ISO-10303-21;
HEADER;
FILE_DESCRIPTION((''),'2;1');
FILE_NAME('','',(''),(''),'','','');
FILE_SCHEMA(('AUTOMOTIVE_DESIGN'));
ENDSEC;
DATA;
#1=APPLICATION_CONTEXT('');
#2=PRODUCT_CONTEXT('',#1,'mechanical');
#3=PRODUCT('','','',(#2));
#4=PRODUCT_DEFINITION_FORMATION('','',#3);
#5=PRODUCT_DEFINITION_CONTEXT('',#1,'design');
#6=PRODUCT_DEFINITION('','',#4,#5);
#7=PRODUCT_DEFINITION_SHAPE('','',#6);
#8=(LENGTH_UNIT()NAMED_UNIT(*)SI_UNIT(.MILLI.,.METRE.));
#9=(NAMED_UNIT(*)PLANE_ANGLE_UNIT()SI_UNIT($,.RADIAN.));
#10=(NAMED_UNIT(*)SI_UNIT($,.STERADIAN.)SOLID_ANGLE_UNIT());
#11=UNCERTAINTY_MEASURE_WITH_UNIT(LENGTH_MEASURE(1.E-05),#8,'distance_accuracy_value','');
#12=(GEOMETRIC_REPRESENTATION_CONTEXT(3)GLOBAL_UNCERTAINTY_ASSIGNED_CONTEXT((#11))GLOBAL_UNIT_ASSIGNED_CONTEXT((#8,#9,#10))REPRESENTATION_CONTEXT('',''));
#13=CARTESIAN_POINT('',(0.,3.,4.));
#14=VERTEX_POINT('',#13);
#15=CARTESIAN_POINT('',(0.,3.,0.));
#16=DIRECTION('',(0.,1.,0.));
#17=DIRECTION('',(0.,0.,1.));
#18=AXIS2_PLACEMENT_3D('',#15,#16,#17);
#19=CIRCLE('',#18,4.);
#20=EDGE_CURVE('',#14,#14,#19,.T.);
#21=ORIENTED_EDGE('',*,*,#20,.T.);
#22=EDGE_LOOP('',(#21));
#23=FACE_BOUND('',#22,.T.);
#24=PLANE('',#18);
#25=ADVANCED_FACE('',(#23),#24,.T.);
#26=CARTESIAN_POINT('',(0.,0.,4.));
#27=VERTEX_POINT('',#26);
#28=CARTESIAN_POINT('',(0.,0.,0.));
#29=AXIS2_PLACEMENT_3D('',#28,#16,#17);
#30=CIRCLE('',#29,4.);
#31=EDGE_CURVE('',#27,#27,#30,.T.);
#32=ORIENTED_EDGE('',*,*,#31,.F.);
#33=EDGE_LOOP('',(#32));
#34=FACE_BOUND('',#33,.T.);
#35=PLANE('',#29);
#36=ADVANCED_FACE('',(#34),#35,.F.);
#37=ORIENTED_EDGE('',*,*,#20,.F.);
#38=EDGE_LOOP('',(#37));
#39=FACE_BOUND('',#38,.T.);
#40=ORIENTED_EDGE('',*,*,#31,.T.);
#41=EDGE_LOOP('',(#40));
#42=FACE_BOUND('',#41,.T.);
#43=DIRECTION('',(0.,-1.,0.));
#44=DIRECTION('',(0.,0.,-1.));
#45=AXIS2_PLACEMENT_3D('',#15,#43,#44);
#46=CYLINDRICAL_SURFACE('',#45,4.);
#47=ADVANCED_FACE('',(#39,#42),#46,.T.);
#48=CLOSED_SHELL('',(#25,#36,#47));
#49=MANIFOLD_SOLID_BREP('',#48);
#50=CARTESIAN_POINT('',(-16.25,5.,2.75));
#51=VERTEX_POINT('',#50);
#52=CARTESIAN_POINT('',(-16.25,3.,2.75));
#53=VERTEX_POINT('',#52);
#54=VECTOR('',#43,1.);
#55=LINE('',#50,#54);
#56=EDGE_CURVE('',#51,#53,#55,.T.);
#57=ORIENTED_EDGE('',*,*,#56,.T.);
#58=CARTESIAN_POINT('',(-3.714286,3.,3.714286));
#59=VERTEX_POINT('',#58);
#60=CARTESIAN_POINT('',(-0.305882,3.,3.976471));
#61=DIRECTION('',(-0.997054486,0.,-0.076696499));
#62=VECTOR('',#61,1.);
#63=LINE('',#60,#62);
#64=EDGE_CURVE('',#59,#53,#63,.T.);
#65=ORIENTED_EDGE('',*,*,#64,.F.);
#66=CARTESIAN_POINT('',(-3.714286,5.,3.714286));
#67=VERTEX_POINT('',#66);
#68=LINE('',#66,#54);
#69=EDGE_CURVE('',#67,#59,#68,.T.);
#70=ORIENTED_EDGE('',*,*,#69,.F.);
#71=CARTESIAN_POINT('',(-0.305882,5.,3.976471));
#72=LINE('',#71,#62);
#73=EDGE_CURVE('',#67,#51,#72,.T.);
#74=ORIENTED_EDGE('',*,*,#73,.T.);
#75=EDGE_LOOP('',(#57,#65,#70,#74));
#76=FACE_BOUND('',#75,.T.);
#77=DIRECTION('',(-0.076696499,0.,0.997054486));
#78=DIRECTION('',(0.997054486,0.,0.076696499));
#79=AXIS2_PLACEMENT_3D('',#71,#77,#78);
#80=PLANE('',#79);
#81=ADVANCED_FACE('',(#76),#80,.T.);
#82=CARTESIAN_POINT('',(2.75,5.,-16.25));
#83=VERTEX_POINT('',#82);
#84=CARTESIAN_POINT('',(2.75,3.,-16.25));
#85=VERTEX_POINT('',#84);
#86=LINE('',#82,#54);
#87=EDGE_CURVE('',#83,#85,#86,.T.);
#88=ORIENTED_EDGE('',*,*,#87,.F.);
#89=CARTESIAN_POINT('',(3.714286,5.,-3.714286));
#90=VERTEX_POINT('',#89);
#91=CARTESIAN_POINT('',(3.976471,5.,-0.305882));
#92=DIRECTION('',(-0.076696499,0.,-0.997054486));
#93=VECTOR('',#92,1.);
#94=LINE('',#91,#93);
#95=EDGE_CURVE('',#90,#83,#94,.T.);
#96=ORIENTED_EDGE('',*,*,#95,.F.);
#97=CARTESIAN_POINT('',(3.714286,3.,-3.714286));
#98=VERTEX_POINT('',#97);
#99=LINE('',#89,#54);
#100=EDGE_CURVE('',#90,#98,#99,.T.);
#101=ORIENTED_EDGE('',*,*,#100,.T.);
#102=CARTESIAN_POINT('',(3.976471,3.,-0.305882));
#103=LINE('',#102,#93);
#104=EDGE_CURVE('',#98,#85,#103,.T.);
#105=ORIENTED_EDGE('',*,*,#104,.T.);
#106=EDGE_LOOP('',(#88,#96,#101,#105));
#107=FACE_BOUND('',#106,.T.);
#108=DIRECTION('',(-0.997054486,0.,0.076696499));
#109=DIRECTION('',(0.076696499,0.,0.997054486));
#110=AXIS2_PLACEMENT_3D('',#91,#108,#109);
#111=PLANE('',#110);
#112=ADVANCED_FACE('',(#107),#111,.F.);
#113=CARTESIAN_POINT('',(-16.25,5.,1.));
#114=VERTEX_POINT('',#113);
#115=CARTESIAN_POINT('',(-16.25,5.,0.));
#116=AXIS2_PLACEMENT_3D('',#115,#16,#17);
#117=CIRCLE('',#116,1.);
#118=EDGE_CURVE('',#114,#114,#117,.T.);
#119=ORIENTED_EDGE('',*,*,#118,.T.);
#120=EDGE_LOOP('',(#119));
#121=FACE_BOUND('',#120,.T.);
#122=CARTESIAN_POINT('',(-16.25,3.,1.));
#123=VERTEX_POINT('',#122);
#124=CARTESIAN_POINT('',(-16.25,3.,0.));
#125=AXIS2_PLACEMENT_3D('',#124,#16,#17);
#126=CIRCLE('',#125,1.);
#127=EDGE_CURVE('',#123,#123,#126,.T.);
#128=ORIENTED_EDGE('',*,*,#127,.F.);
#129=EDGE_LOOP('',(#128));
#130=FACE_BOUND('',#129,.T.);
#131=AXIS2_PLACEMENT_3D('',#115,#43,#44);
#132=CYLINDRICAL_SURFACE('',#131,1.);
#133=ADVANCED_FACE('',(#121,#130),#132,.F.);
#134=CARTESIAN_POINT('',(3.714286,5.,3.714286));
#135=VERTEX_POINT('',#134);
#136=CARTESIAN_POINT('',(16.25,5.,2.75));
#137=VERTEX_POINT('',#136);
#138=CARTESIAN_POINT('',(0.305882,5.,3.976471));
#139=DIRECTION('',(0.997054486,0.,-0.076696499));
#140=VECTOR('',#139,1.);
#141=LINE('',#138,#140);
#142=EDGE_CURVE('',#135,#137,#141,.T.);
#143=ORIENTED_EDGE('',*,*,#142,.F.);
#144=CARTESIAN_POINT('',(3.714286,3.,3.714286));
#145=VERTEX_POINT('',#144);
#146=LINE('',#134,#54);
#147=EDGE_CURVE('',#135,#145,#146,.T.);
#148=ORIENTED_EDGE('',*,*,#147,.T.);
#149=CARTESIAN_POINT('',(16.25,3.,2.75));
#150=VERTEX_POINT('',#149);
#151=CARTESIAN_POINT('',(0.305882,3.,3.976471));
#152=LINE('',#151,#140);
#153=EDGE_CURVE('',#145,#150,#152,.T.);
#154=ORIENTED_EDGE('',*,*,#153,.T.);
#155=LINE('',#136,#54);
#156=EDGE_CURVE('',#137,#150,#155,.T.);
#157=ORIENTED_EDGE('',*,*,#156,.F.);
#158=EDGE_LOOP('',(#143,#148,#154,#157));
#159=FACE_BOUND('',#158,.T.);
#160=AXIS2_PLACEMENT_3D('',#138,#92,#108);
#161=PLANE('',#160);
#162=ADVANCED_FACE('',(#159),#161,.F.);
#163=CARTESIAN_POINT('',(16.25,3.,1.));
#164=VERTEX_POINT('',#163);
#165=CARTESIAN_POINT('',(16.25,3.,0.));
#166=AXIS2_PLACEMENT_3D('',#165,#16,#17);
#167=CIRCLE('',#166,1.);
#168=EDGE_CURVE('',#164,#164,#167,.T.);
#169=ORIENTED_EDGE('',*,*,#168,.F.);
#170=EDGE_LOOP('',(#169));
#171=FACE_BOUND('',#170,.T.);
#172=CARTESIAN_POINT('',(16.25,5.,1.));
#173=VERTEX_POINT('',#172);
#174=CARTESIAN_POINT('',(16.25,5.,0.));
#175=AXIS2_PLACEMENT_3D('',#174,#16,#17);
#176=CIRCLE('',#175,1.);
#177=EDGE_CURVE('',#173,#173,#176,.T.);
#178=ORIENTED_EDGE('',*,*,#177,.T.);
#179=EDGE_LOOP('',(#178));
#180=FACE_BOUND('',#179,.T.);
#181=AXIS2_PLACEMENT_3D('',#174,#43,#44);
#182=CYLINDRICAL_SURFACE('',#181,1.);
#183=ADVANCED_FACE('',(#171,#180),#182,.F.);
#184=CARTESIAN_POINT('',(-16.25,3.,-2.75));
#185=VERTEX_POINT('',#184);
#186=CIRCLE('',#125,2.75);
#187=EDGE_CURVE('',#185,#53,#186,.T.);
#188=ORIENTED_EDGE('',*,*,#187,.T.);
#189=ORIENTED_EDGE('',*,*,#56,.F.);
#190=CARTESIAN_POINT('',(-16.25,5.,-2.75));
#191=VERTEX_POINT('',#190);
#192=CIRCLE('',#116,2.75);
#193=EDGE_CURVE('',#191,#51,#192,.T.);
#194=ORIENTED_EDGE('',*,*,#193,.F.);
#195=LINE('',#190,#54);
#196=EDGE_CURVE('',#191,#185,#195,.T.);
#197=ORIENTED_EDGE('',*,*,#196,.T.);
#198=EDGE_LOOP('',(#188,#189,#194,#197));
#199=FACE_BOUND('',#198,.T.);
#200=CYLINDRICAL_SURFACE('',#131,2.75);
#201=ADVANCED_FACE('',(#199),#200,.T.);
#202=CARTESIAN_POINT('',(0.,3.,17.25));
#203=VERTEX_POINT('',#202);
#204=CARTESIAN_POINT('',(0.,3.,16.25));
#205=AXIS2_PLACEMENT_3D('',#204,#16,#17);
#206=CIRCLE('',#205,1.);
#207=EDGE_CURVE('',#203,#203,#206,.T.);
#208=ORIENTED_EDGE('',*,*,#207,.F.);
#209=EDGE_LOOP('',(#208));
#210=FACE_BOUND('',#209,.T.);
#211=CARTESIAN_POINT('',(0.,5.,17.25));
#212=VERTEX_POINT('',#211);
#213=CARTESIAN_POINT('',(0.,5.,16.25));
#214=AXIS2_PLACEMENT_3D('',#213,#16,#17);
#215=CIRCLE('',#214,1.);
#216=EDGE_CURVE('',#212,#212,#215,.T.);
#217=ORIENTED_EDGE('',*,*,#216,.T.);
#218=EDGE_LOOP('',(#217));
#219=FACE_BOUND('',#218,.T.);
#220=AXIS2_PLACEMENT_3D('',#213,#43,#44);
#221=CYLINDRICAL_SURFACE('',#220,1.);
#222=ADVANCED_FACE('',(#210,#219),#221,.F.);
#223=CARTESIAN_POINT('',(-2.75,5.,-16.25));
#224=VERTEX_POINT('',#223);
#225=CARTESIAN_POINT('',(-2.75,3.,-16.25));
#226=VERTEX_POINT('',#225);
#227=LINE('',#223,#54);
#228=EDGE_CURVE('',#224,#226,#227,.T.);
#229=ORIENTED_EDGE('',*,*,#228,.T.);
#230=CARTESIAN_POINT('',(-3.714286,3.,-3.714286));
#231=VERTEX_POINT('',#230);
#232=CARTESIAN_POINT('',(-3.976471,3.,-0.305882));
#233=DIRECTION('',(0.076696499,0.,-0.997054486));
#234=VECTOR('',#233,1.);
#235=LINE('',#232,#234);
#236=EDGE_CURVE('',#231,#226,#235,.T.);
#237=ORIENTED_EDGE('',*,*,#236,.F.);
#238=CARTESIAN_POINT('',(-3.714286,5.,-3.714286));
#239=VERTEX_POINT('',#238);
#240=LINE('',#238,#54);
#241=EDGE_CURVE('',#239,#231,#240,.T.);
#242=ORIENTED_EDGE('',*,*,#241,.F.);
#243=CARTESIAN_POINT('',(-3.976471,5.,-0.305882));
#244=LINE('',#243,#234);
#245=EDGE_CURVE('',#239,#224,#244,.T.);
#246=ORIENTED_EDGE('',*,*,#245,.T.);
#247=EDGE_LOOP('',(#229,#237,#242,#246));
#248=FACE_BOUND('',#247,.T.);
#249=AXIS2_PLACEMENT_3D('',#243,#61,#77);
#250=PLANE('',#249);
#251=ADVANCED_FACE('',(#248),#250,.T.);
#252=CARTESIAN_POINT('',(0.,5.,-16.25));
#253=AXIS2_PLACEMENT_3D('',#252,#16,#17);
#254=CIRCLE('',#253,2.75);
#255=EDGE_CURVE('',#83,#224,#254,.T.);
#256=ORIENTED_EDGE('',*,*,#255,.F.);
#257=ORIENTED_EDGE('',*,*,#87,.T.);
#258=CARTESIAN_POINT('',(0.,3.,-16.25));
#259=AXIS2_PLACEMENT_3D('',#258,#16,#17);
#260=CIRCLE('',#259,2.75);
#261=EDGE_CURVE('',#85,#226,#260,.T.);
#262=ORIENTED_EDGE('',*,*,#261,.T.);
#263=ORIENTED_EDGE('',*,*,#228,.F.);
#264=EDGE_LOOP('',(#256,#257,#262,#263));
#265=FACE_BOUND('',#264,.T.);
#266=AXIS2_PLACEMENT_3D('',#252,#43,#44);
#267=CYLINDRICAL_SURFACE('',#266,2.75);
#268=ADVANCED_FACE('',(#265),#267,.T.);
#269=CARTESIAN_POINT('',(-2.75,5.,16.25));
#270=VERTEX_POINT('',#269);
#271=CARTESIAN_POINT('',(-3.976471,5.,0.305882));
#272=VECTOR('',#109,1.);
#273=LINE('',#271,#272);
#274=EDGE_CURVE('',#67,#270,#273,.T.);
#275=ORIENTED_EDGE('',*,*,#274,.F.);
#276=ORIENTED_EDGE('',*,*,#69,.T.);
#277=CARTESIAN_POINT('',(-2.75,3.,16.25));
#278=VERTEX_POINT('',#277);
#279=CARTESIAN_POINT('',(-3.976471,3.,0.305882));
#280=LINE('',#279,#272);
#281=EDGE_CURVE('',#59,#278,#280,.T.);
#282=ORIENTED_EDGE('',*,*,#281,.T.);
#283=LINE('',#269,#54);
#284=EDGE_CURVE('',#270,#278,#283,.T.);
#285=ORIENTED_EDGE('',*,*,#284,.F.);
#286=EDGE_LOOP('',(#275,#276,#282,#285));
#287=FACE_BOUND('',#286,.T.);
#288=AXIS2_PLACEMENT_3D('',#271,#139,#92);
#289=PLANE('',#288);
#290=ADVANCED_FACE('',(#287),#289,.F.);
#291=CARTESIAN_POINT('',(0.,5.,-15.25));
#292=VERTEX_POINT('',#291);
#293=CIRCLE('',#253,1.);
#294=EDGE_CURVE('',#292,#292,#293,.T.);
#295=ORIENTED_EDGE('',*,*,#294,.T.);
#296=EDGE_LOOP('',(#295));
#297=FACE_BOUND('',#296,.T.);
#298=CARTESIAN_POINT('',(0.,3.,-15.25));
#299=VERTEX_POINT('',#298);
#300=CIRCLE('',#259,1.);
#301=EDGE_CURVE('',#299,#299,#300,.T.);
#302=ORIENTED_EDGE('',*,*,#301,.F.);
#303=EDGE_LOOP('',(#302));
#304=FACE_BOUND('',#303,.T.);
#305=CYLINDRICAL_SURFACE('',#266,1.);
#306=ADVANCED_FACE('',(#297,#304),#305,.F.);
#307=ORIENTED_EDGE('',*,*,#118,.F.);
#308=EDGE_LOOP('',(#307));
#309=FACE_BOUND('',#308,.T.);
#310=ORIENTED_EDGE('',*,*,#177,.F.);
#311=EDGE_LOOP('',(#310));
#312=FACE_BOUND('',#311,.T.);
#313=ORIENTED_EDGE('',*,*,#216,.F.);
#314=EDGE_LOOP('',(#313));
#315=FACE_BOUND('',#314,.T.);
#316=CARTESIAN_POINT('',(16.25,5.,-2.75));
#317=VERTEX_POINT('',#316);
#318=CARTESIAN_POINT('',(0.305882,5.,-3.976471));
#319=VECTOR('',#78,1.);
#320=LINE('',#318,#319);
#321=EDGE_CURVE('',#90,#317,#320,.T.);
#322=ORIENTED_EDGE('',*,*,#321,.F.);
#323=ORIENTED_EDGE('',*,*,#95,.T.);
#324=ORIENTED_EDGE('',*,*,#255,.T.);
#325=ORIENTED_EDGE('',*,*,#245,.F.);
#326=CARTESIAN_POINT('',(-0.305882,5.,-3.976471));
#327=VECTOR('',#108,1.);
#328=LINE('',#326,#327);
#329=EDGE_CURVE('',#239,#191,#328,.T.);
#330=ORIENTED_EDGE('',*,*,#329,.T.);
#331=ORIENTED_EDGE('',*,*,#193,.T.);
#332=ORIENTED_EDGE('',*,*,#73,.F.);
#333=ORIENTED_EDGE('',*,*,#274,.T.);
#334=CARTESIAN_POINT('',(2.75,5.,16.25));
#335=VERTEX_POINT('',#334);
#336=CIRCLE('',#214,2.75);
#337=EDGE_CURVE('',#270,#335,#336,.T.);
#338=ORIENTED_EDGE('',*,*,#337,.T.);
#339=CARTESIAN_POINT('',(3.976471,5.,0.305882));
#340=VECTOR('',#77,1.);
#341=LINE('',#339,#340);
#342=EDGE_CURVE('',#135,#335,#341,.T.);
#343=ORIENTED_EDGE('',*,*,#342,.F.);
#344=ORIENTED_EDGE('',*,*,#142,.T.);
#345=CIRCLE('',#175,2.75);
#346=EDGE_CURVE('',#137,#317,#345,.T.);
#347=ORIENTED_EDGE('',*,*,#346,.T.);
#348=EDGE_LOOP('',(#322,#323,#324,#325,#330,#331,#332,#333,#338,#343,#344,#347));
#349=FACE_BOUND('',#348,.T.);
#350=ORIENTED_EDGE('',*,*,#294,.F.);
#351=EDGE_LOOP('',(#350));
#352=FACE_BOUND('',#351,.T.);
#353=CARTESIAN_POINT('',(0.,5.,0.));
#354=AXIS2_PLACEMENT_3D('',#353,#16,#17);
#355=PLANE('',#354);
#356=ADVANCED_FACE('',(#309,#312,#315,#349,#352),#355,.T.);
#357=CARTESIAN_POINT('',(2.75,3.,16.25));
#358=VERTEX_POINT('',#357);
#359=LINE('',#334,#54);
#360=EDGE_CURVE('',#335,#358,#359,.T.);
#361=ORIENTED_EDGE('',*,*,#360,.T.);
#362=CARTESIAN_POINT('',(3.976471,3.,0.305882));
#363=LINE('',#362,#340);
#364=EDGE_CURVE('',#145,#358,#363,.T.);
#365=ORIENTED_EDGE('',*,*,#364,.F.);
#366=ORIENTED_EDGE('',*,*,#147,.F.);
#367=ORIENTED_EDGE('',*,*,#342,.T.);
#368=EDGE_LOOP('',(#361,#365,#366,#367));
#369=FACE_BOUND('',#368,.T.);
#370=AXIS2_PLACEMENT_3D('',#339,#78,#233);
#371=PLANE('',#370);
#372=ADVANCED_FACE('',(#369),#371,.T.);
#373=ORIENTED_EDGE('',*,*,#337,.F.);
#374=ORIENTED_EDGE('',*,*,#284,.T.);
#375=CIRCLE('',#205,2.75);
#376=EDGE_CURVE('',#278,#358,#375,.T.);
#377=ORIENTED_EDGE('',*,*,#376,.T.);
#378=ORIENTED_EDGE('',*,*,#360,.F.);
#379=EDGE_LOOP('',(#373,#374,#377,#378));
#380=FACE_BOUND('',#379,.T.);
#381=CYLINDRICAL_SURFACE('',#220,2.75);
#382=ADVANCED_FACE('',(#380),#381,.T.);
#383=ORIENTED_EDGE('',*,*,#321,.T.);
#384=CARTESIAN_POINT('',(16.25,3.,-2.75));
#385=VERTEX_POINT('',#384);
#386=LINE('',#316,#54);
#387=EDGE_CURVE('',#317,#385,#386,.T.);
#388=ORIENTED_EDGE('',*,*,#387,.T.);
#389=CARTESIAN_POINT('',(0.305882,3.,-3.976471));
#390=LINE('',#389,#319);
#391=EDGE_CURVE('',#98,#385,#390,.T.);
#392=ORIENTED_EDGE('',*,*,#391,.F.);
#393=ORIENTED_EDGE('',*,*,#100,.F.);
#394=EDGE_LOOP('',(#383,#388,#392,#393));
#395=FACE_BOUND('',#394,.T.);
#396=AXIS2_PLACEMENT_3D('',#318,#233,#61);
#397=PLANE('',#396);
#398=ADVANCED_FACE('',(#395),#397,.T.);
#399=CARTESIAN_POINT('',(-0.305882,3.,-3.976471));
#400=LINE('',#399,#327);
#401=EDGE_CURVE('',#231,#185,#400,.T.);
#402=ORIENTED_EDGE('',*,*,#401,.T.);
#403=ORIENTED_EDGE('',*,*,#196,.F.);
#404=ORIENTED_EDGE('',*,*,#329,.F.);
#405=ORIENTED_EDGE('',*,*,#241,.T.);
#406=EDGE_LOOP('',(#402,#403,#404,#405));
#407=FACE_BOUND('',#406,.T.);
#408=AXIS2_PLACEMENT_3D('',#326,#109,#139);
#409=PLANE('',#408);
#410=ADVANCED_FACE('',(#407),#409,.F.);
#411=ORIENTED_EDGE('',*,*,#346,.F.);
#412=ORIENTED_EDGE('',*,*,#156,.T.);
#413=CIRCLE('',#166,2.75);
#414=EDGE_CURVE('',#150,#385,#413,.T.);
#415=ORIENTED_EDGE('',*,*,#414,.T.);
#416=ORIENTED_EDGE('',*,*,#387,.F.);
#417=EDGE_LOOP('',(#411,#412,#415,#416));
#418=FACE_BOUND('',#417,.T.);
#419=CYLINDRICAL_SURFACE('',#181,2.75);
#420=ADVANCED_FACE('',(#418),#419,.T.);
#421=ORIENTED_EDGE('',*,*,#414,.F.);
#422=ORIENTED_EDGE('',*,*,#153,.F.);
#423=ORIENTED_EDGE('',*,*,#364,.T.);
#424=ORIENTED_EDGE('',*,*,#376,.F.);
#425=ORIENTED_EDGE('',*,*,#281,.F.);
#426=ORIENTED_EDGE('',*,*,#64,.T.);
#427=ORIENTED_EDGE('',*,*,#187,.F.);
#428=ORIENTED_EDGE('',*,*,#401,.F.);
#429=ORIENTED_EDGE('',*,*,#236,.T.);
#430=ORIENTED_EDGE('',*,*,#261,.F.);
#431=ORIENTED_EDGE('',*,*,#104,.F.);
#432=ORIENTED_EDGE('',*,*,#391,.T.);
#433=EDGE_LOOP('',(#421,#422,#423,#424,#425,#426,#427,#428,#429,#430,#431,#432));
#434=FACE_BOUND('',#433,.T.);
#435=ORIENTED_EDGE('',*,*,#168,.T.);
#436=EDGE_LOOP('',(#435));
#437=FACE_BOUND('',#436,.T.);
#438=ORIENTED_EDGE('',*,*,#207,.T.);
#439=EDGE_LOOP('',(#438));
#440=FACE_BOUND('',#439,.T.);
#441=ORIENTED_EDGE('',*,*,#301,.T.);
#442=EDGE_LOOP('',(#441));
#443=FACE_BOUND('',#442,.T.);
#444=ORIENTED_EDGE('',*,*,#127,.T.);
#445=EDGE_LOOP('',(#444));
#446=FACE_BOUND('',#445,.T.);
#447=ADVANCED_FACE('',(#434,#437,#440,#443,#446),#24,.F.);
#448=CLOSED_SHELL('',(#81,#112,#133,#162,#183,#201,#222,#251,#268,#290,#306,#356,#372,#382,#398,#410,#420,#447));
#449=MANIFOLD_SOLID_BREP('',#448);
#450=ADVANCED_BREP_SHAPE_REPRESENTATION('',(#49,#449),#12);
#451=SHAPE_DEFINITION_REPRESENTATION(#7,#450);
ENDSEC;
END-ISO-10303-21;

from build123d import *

# Parameters (mm, degrees)
SKETCH1_R           = 4
BOSS_EXTRUDE1_DEPTH = 3
SKETCH2_R           = 1
BOSS_EXTRUDE3_DEPTH = 2


with BuildPart() as part:
    # Sketch1 → Boss-Extrude1 (new body)
    with BuildSketch(Plane(origin=(0, 0, 0), x_dir=(1, 0, 0), z_dir=(0, 1, 0))):
        Circle(SKETCH1_R)
    extrude(amount=BOSS_EXTRUDE1_DEPTH)


with BuildPart() as body_2:
    # Sketch2 → Boss-Extrude3 (new body)
    with BuildSketch(Plane(origin=(0, 3, 0), x_dir=(1, 0, 0), z_dir=(0, 1, 0))):
        with BuildLine():
            Line((16.25, 2.75), (3.714285714, 3.714285714))
            Line((3.714285714, 3.714285714), (2.75, 16.25))
            ThreePointArc((2.75, 16.25), (0, 19), (-2.75, 16.25))
            Line((-2.75, 16.25), (-3.714285714, 3.714285714))
            Line((-3.714285714, 3.714285714), (-16.25, 2.75))
            ThreePointArc((-16.25, 2.75), (-19, 0), (-16.25, -2.75))
            Line((-16.25, -2.75), (-3.714285714, -3.714285714))
            Line((-3.714285714, -3.714285714), (-2.75, -16.25))
            ThreePointArc((-2.75, -16.25), (0, -19), (2.75, -16.25))
            Line((2.75, -16.25), (3.714285714, -3.714285714))
            Line((3.714285714, -3.714285714), (16.25, -2.75))
            ThreePointArc((16.25, -2.75), (19, 0), (16.25, 2.75))
        make_face()
        with Locations((16.25, 0)):
            Circle(SKETCH2_R, mode=Mode.SUBTRACT)
        with Locations((0, 16.25)):
            Circle(SKETCH2_R, mode=Mode.SUBTRACT)
        with Locations((0, -16.25)):
            Circle(SKETCH2_R, mode=Mode.SUBTRACT)
        with Locations((-16.25, 0)):
            Circle(SKETCH2_R, mode=Mode.SUBTRACT)
    extrude(amount=BOSS_EXTRUDE3_DEPTH)


solid = Compound([part.part, body_2.part])
